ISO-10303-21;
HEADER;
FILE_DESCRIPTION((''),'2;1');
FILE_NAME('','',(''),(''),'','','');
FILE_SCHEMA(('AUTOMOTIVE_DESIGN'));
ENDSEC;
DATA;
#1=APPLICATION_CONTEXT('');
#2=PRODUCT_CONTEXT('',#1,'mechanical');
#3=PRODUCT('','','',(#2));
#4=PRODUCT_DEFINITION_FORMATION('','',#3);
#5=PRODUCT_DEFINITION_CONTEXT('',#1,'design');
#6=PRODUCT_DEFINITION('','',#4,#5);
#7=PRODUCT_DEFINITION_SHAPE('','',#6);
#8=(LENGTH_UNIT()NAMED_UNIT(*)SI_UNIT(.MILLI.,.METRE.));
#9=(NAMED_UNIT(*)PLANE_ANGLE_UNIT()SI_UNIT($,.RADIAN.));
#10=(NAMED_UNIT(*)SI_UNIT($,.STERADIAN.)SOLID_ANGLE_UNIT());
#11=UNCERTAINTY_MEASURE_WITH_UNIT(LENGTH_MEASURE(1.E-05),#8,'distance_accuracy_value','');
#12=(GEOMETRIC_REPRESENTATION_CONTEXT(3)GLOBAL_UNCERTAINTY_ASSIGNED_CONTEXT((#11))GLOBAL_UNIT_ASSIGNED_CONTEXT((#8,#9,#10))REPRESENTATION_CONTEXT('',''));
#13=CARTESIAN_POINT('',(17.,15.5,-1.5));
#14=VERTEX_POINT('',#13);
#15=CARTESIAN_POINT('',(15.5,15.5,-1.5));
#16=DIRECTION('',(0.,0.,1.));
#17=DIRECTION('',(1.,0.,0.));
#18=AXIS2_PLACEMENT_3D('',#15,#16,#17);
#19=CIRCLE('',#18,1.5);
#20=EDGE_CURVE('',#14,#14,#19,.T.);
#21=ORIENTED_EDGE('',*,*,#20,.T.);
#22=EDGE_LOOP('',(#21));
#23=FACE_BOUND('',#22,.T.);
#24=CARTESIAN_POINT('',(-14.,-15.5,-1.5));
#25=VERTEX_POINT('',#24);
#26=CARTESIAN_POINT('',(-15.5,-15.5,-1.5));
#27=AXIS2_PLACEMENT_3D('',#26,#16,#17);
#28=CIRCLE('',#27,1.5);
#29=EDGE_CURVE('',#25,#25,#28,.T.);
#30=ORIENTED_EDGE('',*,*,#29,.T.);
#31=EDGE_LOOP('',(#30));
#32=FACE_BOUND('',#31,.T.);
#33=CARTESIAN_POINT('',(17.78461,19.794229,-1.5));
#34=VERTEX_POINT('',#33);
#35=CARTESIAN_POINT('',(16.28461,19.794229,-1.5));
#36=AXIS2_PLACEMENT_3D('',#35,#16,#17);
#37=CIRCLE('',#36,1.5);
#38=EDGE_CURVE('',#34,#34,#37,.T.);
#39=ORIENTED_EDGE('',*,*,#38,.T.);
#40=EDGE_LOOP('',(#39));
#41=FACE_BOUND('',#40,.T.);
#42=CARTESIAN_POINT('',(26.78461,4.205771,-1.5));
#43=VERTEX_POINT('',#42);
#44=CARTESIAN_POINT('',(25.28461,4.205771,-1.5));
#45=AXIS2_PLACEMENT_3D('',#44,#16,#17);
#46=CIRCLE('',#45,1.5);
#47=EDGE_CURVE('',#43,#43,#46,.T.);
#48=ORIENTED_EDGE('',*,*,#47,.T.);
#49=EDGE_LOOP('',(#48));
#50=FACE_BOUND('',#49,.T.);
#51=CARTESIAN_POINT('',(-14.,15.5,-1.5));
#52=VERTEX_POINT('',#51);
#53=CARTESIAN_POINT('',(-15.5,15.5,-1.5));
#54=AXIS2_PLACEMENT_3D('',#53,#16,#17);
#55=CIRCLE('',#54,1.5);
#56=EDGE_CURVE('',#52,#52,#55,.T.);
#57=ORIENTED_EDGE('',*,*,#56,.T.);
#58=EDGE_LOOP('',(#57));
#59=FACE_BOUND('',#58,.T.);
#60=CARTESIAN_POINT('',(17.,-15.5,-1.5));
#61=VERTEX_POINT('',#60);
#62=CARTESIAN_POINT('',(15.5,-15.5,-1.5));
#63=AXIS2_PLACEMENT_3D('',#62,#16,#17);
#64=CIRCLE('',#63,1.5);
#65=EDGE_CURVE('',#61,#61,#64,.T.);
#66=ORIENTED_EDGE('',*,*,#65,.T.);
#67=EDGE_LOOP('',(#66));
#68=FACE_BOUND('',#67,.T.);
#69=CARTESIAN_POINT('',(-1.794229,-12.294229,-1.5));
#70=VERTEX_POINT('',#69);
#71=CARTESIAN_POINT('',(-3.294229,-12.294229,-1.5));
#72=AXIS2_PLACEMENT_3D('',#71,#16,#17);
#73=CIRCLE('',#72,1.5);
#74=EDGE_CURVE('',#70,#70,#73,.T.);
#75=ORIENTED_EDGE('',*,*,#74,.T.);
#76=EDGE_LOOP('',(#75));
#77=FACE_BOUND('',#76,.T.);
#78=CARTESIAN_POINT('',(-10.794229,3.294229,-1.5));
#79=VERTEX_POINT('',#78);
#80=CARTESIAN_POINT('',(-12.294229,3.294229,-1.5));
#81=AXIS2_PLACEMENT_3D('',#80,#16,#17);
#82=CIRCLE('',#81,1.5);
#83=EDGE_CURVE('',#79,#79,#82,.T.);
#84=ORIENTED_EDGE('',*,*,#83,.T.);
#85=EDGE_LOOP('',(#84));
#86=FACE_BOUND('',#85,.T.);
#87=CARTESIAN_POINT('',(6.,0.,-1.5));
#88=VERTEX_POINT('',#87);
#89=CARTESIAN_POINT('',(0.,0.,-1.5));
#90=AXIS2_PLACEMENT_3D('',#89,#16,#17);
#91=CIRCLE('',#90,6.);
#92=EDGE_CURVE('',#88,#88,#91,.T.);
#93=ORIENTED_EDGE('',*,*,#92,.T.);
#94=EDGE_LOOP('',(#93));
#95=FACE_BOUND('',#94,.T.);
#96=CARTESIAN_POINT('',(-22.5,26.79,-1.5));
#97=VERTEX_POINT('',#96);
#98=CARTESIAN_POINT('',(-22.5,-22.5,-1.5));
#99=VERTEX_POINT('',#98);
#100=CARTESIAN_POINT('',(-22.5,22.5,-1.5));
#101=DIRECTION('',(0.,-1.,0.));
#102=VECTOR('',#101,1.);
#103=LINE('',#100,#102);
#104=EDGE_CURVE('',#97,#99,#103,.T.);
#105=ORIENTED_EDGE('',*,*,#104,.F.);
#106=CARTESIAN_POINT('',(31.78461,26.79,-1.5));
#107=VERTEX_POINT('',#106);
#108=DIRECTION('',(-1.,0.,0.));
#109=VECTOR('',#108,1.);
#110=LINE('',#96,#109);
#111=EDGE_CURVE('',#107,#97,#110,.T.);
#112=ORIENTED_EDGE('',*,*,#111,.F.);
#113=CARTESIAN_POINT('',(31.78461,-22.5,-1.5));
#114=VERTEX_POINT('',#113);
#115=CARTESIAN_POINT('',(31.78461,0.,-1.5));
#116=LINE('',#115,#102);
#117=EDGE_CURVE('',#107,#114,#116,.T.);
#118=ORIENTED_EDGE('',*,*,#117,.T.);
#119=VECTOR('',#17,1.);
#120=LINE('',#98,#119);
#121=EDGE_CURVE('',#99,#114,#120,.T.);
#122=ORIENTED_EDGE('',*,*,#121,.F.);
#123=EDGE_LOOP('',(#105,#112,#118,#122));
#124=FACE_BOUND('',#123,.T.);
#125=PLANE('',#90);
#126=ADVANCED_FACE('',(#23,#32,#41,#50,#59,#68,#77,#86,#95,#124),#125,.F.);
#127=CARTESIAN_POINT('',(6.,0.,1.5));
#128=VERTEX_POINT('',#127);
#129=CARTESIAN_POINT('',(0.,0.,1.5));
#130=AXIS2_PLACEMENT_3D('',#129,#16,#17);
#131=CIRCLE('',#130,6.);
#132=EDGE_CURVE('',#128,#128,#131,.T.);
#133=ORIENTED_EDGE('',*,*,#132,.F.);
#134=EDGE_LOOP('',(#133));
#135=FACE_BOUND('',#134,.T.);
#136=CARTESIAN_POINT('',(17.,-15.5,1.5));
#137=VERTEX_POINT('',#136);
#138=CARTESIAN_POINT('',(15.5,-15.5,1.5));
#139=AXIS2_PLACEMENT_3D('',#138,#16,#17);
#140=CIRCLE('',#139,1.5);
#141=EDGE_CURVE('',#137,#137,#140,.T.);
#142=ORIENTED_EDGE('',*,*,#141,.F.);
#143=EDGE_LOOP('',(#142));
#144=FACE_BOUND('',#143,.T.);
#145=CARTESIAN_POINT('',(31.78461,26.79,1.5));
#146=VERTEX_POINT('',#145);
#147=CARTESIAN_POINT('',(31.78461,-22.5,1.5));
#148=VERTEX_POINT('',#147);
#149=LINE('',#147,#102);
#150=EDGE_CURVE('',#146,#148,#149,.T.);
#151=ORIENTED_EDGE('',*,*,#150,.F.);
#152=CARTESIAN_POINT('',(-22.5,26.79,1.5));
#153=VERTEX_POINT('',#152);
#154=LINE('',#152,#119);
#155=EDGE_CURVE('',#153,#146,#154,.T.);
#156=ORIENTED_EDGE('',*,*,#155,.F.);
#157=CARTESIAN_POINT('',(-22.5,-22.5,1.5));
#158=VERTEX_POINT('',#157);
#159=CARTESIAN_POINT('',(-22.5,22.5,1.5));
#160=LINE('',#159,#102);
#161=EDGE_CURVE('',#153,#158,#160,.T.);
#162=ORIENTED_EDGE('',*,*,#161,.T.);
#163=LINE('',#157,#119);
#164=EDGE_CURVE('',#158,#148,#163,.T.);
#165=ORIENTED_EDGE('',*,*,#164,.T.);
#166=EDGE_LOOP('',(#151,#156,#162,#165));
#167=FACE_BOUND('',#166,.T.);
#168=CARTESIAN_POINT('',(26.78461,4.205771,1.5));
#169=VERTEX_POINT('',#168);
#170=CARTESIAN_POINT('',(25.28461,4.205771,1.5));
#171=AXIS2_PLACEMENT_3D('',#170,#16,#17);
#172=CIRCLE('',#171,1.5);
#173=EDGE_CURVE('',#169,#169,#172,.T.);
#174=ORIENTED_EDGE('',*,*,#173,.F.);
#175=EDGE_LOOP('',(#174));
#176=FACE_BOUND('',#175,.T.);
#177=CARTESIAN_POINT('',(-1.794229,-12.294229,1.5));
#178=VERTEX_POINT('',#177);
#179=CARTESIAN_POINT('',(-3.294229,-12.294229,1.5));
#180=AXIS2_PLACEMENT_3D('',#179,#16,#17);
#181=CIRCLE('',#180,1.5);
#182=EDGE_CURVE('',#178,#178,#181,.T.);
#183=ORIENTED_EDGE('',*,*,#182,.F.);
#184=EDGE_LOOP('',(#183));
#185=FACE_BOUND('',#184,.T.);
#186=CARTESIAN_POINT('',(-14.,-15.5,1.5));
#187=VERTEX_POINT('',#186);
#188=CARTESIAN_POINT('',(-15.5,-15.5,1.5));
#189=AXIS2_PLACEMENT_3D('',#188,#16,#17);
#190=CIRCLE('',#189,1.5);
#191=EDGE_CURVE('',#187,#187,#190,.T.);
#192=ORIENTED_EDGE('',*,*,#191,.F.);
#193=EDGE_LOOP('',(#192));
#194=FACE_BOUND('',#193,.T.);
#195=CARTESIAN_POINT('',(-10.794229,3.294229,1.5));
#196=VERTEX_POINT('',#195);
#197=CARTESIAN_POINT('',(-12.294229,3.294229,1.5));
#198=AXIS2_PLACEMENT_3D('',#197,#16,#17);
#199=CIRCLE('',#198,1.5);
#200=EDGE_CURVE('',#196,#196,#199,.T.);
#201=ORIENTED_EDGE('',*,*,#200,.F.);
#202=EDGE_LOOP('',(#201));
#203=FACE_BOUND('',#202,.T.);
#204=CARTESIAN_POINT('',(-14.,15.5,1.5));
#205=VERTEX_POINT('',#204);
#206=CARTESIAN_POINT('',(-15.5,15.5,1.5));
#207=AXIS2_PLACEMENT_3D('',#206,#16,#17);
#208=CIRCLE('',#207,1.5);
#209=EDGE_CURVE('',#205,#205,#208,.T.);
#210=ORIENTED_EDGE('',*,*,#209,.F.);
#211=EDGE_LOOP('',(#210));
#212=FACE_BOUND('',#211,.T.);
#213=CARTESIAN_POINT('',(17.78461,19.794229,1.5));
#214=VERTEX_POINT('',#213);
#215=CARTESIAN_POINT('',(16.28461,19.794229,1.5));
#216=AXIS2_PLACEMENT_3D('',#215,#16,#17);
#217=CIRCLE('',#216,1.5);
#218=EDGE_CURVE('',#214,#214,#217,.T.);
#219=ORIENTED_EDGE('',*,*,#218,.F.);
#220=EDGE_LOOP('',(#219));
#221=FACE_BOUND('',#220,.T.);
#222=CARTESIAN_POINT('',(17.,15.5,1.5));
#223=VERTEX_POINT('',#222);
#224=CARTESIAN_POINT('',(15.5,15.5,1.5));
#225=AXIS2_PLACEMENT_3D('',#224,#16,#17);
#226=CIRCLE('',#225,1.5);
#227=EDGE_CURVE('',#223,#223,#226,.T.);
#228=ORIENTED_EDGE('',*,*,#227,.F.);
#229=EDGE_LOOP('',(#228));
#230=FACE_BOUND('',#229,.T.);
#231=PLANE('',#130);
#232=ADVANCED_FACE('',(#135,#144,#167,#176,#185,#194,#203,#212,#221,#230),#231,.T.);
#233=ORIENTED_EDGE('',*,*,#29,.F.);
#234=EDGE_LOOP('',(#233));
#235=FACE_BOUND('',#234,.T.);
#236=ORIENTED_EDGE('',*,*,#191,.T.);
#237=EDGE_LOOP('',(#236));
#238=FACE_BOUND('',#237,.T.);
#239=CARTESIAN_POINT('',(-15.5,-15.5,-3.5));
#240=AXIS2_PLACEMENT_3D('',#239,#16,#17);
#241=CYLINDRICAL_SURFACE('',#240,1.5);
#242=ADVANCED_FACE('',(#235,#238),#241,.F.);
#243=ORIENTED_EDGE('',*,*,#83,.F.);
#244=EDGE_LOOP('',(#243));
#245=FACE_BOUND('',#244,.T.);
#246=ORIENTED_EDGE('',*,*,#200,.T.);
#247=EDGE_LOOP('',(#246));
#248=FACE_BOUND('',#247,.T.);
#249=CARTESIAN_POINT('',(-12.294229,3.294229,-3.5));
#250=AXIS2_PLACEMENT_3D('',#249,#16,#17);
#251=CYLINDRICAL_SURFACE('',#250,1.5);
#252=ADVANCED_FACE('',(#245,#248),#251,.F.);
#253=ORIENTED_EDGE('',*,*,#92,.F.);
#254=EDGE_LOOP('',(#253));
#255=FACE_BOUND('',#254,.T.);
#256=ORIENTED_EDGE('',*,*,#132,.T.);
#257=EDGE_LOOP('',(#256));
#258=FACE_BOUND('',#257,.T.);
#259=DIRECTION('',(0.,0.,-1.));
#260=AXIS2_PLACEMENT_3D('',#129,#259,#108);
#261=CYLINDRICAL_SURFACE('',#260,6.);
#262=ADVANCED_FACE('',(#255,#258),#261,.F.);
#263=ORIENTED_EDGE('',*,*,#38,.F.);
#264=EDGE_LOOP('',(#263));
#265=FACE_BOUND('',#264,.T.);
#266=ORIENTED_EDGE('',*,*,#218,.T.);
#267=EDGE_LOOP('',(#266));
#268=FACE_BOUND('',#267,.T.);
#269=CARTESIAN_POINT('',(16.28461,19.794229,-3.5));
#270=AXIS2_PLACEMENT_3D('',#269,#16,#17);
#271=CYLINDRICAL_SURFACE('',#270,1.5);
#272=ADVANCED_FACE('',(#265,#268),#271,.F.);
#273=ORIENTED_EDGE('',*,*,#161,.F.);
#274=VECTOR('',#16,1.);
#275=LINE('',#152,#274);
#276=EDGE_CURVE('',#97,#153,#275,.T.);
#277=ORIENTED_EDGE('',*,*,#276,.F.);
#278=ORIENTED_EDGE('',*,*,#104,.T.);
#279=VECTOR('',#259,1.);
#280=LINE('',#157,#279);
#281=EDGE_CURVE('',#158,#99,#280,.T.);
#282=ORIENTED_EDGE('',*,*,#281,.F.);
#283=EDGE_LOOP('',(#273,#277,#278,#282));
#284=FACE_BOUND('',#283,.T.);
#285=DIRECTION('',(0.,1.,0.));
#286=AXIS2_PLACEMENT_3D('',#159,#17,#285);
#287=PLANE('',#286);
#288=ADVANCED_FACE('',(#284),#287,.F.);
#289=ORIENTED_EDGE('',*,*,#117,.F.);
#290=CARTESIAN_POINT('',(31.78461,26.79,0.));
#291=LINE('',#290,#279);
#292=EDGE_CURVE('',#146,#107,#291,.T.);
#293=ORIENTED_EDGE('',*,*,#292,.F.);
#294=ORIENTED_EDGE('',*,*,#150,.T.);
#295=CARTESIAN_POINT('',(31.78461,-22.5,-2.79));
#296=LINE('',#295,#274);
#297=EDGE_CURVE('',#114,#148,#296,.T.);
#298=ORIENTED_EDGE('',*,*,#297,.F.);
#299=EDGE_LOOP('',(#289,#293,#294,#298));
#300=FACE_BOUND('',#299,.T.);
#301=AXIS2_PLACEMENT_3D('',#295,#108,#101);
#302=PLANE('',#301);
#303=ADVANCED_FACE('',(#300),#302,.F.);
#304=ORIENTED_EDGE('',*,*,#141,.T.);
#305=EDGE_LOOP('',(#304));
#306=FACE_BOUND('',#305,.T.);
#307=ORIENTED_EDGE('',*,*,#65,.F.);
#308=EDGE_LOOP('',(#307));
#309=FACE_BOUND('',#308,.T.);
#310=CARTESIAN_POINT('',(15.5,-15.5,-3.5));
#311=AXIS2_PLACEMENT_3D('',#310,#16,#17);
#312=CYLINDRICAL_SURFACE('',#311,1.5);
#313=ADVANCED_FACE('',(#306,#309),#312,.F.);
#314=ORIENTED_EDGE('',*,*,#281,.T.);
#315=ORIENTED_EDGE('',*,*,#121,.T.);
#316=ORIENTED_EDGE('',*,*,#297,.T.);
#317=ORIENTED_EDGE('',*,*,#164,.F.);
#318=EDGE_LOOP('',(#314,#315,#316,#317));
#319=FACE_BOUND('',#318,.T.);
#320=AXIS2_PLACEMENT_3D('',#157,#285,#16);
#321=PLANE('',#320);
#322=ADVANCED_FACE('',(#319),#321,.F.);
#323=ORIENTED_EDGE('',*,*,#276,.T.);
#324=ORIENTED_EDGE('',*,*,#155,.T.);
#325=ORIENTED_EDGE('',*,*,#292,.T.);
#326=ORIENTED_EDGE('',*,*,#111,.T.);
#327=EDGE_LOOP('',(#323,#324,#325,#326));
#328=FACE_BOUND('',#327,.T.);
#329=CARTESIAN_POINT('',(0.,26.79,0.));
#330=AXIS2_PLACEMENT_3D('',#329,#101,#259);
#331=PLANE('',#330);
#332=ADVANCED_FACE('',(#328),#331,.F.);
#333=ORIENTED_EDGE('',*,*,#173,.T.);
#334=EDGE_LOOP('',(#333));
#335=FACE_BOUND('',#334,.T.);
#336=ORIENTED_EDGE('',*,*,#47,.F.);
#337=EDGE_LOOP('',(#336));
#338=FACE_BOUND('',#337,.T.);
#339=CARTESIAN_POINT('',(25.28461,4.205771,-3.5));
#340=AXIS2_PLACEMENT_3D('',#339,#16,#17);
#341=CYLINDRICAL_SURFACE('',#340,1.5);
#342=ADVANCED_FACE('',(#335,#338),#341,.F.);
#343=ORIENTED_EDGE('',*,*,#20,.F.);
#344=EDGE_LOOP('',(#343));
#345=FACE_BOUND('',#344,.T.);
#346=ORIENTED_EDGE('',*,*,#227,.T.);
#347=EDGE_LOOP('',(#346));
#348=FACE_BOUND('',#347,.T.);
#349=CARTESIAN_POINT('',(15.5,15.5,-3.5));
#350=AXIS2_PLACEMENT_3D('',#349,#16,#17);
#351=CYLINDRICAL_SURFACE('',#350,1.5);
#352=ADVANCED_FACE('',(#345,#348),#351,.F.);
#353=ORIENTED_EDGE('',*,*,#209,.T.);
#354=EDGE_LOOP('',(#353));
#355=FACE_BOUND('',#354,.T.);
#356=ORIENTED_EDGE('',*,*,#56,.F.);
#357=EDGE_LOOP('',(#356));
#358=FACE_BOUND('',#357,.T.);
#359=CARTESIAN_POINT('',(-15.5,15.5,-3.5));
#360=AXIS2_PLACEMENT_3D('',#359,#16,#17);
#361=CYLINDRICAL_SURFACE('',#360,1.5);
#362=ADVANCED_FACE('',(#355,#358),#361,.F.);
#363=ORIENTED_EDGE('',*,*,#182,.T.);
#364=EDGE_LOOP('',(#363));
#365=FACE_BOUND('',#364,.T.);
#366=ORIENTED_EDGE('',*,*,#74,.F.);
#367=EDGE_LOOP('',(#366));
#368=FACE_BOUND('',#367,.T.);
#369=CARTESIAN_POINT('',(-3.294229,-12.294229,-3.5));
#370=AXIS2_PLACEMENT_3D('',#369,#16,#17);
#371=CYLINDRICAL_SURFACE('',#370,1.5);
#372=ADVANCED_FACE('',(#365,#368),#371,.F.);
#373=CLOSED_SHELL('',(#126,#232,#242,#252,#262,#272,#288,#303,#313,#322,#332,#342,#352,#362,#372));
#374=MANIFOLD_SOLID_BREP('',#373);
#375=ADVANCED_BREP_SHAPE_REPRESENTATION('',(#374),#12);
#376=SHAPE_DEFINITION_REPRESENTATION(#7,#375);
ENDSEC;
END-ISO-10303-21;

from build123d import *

# Parameters (mm, degrees)
SKETCH1_W           = 45
SKETCH1_H           = 45
SKETCH1_R           = 6
BOSS_EXTRUDE1_DEPTH = 1.5
SKETCH4_W           = 3
SKETCH4_H           = 45
BOSS_EXTRUDE2_DEPTH = 20
SKETCH2_R           = 1.5
CUT_EXTRUDE1_DEPTH  = 5
SKETCH3_R           = 1.5
CUT_EXTRUDE2_DEPTH  = 5
SKETCH5_W           = 65
SKETCH5_H           = 3
BOSS_EXTRUDE3_DEPTH = 4.29
SKETCH6_W           = 10.715390309
SKETCH6_H           = 49.29
CUT_EXTRUDE3_DEPTH  = 4.29


with BuildPart() as part:
    # Sketch1 → Boss-Extrude1 (new, symmetric)
    with BuildSketch(Plane.XY):
        Rectangle(SKETCH1_W, SKETCH1_H)
        Circle(SKETCH1_R, mode=Mode.SUBTRACT)
    extrude(amount=BOSS_EXTRUDE1_DEPTH, both=True)

    # Sketch4 → Boss-Extrude2 (add)
    with BuildSketch(Plane(origin=(22.5, 0, 0), x_dir=(0, 0, -1), z_dir=(1, 0, 0))):
        Rectangle(SKETCH4_W, SKETCH4_H)
    extrude(amount=BOSS_EXTRUDE2_DEPTH)

    # Sketch2 → Cut-Extrude1 (cut, symmetric)
    with BuildSketch(Plane.XY.offset(1.5)):
        with Locations((-15.5, 15.5)):
            Circle(SKETCH2_R)
        with Locations((15.5, 15.5)):
            Circle(SKETCH2_R)
        with Locations((15.5, -15.5)):
            Circle(SKETCH2_R)
        with Locations((-15.5, -15.5)):
            Circle(SKETCH2_R)
    extrude(amount=CUT_EXTRUDE1_DEPTH, both=True, mode=Mode.SUBTRACT)

    # Sketch3 → Cut-Extrude2 (cut, symmetric)
    with BuildSketch(Plane.XY.offset(1.5)):
        with Locations((-3.294228634, -12.294228634)):
            Circle(SKETCH3_R)
        with Locations((25.284609691, 4.205771366)):
            Circle(SKETCH3_R)
        with Locations((16.284609691, 19.794228634)):
            Circle(SKETCH3_R)
        with Locations((-12.294228634, 3.294228634)):
            Circle(SKETCH3_R)
    extrude(amount=CUT_EXTRUDE2_DEPTH, both=True, mode=Mode.SUBTRACT)

    # Sketch5 → Boss-Extrude3 (add)
    with BuildSketch(Plane(origin=(0, 22.5, 0), x_dir=(1, 0, 0), z_dir=(0, 1, 0))):
        with Locations((10, 0)):
            Rectangle(SKETCH5_W, SKETCH5_H)
    extrude(amount=BOSS_EXTRUDE3_DEPTH)

    # Sketch6 → Cut-Extrude3 (cut)
    with BuildSketch(Plane.XY.offset(1.5)):
        with Locations((37.142304845, 2.145)):
            Rectangle(SKETCH6_W, SKETCH6_H)
    extrude(amount=-CUT_EXTRUDE3_DEPTH, mode=Mode.SUBTRACT)


solid = part.part
